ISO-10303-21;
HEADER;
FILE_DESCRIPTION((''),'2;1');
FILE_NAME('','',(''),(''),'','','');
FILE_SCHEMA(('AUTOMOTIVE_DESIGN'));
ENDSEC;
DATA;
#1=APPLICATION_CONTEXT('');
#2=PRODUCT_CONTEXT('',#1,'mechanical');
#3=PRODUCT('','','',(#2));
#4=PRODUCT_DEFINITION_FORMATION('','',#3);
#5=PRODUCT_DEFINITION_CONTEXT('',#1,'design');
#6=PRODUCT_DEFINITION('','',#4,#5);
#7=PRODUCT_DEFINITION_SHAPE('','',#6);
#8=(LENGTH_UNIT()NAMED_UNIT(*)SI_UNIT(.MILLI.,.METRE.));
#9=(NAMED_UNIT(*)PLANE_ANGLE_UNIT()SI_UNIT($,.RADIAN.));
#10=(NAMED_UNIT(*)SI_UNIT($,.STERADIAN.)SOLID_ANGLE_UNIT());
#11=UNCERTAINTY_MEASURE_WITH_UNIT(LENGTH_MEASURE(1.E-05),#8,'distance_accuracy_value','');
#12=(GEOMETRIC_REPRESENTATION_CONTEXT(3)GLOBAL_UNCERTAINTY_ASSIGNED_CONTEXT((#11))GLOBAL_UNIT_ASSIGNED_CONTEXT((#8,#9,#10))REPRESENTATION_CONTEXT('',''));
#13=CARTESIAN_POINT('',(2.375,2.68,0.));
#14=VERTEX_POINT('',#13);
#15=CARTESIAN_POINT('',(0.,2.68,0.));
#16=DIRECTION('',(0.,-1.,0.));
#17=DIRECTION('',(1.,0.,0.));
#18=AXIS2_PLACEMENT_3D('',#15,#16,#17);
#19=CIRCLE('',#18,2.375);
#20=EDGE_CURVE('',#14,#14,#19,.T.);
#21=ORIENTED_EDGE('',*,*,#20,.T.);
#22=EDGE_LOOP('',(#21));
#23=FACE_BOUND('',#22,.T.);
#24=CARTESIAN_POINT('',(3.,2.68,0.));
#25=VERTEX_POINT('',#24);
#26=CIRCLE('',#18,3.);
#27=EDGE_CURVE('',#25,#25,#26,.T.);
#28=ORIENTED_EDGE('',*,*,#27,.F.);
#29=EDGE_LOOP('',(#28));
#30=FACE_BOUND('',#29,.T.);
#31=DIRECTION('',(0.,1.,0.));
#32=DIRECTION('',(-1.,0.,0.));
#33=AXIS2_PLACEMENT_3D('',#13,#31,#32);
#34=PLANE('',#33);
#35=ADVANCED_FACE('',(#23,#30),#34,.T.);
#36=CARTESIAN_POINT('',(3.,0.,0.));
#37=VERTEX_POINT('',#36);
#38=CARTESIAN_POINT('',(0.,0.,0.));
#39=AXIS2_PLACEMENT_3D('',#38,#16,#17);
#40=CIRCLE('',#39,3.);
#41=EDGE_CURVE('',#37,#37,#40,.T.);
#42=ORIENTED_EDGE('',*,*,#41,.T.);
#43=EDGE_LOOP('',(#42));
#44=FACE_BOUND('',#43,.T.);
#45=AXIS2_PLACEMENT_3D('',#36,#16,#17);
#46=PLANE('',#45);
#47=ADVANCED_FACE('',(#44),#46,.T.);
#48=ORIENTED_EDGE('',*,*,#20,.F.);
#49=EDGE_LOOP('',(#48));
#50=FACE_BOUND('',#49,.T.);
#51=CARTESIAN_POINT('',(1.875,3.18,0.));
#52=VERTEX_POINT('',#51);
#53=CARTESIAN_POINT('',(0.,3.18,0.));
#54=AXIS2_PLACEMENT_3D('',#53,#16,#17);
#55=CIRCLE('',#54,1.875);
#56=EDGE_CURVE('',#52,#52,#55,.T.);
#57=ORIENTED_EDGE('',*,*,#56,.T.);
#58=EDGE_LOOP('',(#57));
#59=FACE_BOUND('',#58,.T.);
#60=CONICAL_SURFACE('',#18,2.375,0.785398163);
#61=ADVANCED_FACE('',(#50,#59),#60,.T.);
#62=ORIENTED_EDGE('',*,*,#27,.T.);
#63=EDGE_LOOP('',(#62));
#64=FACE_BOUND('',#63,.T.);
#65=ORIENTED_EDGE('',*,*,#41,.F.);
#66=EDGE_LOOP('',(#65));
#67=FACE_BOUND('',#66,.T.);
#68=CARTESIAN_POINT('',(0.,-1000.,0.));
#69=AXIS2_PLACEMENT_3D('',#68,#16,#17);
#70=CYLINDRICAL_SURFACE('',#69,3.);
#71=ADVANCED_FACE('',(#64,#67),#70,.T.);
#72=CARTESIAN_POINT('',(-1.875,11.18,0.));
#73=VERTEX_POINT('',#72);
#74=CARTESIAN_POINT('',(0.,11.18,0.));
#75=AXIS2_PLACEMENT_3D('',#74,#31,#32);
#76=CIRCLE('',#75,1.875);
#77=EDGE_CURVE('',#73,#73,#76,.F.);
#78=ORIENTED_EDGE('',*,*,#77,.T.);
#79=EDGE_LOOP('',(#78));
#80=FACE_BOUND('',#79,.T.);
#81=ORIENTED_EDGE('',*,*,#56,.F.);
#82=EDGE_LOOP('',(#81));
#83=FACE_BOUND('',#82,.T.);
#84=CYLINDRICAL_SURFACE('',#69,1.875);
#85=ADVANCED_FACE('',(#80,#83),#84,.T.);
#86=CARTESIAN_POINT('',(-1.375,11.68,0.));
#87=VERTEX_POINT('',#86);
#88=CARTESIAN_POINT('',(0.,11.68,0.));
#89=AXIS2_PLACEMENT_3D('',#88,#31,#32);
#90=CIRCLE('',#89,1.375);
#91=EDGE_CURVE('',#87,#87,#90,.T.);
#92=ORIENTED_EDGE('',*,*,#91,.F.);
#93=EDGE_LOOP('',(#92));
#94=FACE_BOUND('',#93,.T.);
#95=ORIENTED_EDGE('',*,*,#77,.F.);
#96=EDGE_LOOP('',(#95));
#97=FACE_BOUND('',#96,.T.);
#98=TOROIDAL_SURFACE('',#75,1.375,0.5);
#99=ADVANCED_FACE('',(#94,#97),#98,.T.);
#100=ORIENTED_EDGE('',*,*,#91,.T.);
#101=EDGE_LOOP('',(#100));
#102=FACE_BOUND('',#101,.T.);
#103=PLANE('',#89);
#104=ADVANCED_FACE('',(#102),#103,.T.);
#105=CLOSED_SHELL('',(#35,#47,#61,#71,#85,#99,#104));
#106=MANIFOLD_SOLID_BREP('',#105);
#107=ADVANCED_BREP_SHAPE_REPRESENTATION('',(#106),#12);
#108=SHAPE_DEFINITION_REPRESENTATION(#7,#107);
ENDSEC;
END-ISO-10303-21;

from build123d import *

# Parameters (mm, degrees)
FILLET1_R = 0.5


with BuildPart() as part:
    # Sketch1 → Revolve1 (revolve)
    with BuildSketch(Plane.XY):
        Polygon((0, 11.68), (1.875, 11.68), (1.875, 3.18), (2.375, 2.68), (3, 2.68), (3, 0), (0, 0), align=None)
    revolve(axis=Axis((0, -1000, 0), (0, 1, 0)))

    # Fillet1
    fillet1_edges = [part.edges().sort_by_distance(p)[0] for p in [
        (-1.875, 11.68, 0),
    ]]
    fillet(fillet1_edges, radius=FILLET1_R)


solid = part.part
